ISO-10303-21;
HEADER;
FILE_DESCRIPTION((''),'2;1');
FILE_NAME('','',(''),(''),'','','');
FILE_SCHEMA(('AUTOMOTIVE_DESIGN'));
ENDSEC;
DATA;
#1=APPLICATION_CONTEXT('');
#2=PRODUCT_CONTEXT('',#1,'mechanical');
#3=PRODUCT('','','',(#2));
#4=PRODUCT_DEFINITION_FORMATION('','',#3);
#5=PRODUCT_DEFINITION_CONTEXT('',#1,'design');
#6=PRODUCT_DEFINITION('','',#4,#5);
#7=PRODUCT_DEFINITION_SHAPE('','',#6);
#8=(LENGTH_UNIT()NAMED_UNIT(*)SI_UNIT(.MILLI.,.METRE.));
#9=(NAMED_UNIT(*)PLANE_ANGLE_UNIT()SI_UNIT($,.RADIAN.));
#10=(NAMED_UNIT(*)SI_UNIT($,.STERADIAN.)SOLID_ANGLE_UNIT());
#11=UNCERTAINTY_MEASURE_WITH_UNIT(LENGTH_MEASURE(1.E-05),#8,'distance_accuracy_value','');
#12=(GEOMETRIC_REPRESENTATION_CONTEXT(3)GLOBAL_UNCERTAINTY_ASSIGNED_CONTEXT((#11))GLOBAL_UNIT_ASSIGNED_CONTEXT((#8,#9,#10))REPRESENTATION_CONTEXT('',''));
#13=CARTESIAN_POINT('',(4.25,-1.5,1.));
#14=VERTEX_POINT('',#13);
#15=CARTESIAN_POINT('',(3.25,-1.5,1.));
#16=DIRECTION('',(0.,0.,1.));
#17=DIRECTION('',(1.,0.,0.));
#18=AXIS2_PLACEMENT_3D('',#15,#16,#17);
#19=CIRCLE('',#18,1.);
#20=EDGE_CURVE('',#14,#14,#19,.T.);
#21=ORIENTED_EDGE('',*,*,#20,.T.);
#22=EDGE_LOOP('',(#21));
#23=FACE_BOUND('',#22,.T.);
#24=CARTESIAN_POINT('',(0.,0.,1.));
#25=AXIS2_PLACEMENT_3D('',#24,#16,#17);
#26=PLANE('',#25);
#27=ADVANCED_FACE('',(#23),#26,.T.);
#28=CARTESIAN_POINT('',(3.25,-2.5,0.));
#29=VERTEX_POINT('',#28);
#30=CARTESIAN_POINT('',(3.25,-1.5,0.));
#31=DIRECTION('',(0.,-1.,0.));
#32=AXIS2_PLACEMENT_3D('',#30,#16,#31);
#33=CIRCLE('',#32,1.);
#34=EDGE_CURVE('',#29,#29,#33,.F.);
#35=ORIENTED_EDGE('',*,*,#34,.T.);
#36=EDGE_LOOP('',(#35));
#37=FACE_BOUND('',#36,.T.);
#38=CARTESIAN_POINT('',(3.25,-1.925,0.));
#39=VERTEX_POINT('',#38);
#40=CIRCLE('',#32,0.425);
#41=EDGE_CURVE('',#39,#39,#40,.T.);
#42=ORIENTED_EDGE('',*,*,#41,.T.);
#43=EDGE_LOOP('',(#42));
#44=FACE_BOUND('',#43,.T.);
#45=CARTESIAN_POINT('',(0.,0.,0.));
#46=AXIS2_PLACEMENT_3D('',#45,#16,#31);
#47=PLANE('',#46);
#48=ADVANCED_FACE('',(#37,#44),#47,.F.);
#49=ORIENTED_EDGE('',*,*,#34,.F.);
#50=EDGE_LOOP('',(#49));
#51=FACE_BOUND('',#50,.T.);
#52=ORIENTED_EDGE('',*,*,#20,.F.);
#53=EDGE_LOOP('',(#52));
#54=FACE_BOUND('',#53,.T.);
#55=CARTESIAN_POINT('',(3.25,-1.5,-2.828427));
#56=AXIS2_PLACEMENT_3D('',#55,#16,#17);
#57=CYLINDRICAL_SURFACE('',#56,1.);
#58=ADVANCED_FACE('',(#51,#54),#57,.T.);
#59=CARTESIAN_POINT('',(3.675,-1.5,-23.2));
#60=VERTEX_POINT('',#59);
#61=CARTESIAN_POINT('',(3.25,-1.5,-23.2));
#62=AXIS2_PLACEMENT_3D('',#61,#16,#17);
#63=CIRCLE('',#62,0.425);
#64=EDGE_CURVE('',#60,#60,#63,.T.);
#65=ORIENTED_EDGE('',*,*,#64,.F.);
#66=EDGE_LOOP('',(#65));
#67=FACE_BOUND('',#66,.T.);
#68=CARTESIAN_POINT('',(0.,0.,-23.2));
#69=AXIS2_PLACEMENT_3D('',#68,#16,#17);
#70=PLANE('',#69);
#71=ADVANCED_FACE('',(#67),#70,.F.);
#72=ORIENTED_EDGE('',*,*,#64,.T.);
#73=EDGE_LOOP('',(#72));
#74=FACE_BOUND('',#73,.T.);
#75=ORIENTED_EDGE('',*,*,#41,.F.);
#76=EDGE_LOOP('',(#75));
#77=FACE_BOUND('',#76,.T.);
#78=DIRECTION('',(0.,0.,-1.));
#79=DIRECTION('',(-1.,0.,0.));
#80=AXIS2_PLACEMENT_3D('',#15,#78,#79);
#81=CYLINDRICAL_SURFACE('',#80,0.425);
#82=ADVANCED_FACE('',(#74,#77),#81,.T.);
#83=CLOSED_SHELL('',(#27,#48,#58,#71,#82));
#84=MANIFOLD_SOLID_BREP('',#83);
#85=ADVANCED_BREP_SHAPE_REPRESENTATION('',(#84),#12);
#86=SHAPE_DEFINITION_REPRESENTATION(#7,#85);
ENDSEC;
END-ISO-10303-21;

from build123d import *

# Parameters (mm, degrees)
EXTRUDE_1_DEPTH      = 1
EXTRUDE_1_DEPTH_BACK = 23.2
SKETCH_2_R           = 0.425
SKETCH_4_R           = 1
SKETCH_4_R_2         = 0.425
EXTRUDE_2_DEPTH      = 1


with BuildPart() as part:
    # 草图2 → 凸台-拉伸1 (new, two sides: drawn at the far end of the back side and taken through both)
    with BuildSketch(Plane.XY.offset(-EXTRUDE_1_DEPTH_BACK)):
        with Locations((3.25, -1.5)):
            Circle(SKETCH_2_R)
    extrude(amount=EXTRUDE_1_DEPTH + EXTRUDE_1_DEPTH_BACK)

    # 草图4 → 凸台-拉伸2 (add)
    # profile 1 of 2: a face of its own
    with BuildSketch(Plane.XY.offset(1)):
        with Locations((3.25, -1.5)):
            Circle(SKETCH_4_R)
        with Locations(Location((3.25, -1.5, 0), (0, 0, 270))):
            Circle(SKETCH_4_R_2, mode=Mode.SUBTRACT)
    # profile 2 of 2: a face of its own
    with BuildSketch(Plane.XY.offset(1)):
        with Locations(Location((3.25, -1.5, 0), (0, 0, 270))):
            Circle(SKETCH_4_R_2)
    extrude(amount=-EXTRUDE_2_DEPTH)


solid = part.part
